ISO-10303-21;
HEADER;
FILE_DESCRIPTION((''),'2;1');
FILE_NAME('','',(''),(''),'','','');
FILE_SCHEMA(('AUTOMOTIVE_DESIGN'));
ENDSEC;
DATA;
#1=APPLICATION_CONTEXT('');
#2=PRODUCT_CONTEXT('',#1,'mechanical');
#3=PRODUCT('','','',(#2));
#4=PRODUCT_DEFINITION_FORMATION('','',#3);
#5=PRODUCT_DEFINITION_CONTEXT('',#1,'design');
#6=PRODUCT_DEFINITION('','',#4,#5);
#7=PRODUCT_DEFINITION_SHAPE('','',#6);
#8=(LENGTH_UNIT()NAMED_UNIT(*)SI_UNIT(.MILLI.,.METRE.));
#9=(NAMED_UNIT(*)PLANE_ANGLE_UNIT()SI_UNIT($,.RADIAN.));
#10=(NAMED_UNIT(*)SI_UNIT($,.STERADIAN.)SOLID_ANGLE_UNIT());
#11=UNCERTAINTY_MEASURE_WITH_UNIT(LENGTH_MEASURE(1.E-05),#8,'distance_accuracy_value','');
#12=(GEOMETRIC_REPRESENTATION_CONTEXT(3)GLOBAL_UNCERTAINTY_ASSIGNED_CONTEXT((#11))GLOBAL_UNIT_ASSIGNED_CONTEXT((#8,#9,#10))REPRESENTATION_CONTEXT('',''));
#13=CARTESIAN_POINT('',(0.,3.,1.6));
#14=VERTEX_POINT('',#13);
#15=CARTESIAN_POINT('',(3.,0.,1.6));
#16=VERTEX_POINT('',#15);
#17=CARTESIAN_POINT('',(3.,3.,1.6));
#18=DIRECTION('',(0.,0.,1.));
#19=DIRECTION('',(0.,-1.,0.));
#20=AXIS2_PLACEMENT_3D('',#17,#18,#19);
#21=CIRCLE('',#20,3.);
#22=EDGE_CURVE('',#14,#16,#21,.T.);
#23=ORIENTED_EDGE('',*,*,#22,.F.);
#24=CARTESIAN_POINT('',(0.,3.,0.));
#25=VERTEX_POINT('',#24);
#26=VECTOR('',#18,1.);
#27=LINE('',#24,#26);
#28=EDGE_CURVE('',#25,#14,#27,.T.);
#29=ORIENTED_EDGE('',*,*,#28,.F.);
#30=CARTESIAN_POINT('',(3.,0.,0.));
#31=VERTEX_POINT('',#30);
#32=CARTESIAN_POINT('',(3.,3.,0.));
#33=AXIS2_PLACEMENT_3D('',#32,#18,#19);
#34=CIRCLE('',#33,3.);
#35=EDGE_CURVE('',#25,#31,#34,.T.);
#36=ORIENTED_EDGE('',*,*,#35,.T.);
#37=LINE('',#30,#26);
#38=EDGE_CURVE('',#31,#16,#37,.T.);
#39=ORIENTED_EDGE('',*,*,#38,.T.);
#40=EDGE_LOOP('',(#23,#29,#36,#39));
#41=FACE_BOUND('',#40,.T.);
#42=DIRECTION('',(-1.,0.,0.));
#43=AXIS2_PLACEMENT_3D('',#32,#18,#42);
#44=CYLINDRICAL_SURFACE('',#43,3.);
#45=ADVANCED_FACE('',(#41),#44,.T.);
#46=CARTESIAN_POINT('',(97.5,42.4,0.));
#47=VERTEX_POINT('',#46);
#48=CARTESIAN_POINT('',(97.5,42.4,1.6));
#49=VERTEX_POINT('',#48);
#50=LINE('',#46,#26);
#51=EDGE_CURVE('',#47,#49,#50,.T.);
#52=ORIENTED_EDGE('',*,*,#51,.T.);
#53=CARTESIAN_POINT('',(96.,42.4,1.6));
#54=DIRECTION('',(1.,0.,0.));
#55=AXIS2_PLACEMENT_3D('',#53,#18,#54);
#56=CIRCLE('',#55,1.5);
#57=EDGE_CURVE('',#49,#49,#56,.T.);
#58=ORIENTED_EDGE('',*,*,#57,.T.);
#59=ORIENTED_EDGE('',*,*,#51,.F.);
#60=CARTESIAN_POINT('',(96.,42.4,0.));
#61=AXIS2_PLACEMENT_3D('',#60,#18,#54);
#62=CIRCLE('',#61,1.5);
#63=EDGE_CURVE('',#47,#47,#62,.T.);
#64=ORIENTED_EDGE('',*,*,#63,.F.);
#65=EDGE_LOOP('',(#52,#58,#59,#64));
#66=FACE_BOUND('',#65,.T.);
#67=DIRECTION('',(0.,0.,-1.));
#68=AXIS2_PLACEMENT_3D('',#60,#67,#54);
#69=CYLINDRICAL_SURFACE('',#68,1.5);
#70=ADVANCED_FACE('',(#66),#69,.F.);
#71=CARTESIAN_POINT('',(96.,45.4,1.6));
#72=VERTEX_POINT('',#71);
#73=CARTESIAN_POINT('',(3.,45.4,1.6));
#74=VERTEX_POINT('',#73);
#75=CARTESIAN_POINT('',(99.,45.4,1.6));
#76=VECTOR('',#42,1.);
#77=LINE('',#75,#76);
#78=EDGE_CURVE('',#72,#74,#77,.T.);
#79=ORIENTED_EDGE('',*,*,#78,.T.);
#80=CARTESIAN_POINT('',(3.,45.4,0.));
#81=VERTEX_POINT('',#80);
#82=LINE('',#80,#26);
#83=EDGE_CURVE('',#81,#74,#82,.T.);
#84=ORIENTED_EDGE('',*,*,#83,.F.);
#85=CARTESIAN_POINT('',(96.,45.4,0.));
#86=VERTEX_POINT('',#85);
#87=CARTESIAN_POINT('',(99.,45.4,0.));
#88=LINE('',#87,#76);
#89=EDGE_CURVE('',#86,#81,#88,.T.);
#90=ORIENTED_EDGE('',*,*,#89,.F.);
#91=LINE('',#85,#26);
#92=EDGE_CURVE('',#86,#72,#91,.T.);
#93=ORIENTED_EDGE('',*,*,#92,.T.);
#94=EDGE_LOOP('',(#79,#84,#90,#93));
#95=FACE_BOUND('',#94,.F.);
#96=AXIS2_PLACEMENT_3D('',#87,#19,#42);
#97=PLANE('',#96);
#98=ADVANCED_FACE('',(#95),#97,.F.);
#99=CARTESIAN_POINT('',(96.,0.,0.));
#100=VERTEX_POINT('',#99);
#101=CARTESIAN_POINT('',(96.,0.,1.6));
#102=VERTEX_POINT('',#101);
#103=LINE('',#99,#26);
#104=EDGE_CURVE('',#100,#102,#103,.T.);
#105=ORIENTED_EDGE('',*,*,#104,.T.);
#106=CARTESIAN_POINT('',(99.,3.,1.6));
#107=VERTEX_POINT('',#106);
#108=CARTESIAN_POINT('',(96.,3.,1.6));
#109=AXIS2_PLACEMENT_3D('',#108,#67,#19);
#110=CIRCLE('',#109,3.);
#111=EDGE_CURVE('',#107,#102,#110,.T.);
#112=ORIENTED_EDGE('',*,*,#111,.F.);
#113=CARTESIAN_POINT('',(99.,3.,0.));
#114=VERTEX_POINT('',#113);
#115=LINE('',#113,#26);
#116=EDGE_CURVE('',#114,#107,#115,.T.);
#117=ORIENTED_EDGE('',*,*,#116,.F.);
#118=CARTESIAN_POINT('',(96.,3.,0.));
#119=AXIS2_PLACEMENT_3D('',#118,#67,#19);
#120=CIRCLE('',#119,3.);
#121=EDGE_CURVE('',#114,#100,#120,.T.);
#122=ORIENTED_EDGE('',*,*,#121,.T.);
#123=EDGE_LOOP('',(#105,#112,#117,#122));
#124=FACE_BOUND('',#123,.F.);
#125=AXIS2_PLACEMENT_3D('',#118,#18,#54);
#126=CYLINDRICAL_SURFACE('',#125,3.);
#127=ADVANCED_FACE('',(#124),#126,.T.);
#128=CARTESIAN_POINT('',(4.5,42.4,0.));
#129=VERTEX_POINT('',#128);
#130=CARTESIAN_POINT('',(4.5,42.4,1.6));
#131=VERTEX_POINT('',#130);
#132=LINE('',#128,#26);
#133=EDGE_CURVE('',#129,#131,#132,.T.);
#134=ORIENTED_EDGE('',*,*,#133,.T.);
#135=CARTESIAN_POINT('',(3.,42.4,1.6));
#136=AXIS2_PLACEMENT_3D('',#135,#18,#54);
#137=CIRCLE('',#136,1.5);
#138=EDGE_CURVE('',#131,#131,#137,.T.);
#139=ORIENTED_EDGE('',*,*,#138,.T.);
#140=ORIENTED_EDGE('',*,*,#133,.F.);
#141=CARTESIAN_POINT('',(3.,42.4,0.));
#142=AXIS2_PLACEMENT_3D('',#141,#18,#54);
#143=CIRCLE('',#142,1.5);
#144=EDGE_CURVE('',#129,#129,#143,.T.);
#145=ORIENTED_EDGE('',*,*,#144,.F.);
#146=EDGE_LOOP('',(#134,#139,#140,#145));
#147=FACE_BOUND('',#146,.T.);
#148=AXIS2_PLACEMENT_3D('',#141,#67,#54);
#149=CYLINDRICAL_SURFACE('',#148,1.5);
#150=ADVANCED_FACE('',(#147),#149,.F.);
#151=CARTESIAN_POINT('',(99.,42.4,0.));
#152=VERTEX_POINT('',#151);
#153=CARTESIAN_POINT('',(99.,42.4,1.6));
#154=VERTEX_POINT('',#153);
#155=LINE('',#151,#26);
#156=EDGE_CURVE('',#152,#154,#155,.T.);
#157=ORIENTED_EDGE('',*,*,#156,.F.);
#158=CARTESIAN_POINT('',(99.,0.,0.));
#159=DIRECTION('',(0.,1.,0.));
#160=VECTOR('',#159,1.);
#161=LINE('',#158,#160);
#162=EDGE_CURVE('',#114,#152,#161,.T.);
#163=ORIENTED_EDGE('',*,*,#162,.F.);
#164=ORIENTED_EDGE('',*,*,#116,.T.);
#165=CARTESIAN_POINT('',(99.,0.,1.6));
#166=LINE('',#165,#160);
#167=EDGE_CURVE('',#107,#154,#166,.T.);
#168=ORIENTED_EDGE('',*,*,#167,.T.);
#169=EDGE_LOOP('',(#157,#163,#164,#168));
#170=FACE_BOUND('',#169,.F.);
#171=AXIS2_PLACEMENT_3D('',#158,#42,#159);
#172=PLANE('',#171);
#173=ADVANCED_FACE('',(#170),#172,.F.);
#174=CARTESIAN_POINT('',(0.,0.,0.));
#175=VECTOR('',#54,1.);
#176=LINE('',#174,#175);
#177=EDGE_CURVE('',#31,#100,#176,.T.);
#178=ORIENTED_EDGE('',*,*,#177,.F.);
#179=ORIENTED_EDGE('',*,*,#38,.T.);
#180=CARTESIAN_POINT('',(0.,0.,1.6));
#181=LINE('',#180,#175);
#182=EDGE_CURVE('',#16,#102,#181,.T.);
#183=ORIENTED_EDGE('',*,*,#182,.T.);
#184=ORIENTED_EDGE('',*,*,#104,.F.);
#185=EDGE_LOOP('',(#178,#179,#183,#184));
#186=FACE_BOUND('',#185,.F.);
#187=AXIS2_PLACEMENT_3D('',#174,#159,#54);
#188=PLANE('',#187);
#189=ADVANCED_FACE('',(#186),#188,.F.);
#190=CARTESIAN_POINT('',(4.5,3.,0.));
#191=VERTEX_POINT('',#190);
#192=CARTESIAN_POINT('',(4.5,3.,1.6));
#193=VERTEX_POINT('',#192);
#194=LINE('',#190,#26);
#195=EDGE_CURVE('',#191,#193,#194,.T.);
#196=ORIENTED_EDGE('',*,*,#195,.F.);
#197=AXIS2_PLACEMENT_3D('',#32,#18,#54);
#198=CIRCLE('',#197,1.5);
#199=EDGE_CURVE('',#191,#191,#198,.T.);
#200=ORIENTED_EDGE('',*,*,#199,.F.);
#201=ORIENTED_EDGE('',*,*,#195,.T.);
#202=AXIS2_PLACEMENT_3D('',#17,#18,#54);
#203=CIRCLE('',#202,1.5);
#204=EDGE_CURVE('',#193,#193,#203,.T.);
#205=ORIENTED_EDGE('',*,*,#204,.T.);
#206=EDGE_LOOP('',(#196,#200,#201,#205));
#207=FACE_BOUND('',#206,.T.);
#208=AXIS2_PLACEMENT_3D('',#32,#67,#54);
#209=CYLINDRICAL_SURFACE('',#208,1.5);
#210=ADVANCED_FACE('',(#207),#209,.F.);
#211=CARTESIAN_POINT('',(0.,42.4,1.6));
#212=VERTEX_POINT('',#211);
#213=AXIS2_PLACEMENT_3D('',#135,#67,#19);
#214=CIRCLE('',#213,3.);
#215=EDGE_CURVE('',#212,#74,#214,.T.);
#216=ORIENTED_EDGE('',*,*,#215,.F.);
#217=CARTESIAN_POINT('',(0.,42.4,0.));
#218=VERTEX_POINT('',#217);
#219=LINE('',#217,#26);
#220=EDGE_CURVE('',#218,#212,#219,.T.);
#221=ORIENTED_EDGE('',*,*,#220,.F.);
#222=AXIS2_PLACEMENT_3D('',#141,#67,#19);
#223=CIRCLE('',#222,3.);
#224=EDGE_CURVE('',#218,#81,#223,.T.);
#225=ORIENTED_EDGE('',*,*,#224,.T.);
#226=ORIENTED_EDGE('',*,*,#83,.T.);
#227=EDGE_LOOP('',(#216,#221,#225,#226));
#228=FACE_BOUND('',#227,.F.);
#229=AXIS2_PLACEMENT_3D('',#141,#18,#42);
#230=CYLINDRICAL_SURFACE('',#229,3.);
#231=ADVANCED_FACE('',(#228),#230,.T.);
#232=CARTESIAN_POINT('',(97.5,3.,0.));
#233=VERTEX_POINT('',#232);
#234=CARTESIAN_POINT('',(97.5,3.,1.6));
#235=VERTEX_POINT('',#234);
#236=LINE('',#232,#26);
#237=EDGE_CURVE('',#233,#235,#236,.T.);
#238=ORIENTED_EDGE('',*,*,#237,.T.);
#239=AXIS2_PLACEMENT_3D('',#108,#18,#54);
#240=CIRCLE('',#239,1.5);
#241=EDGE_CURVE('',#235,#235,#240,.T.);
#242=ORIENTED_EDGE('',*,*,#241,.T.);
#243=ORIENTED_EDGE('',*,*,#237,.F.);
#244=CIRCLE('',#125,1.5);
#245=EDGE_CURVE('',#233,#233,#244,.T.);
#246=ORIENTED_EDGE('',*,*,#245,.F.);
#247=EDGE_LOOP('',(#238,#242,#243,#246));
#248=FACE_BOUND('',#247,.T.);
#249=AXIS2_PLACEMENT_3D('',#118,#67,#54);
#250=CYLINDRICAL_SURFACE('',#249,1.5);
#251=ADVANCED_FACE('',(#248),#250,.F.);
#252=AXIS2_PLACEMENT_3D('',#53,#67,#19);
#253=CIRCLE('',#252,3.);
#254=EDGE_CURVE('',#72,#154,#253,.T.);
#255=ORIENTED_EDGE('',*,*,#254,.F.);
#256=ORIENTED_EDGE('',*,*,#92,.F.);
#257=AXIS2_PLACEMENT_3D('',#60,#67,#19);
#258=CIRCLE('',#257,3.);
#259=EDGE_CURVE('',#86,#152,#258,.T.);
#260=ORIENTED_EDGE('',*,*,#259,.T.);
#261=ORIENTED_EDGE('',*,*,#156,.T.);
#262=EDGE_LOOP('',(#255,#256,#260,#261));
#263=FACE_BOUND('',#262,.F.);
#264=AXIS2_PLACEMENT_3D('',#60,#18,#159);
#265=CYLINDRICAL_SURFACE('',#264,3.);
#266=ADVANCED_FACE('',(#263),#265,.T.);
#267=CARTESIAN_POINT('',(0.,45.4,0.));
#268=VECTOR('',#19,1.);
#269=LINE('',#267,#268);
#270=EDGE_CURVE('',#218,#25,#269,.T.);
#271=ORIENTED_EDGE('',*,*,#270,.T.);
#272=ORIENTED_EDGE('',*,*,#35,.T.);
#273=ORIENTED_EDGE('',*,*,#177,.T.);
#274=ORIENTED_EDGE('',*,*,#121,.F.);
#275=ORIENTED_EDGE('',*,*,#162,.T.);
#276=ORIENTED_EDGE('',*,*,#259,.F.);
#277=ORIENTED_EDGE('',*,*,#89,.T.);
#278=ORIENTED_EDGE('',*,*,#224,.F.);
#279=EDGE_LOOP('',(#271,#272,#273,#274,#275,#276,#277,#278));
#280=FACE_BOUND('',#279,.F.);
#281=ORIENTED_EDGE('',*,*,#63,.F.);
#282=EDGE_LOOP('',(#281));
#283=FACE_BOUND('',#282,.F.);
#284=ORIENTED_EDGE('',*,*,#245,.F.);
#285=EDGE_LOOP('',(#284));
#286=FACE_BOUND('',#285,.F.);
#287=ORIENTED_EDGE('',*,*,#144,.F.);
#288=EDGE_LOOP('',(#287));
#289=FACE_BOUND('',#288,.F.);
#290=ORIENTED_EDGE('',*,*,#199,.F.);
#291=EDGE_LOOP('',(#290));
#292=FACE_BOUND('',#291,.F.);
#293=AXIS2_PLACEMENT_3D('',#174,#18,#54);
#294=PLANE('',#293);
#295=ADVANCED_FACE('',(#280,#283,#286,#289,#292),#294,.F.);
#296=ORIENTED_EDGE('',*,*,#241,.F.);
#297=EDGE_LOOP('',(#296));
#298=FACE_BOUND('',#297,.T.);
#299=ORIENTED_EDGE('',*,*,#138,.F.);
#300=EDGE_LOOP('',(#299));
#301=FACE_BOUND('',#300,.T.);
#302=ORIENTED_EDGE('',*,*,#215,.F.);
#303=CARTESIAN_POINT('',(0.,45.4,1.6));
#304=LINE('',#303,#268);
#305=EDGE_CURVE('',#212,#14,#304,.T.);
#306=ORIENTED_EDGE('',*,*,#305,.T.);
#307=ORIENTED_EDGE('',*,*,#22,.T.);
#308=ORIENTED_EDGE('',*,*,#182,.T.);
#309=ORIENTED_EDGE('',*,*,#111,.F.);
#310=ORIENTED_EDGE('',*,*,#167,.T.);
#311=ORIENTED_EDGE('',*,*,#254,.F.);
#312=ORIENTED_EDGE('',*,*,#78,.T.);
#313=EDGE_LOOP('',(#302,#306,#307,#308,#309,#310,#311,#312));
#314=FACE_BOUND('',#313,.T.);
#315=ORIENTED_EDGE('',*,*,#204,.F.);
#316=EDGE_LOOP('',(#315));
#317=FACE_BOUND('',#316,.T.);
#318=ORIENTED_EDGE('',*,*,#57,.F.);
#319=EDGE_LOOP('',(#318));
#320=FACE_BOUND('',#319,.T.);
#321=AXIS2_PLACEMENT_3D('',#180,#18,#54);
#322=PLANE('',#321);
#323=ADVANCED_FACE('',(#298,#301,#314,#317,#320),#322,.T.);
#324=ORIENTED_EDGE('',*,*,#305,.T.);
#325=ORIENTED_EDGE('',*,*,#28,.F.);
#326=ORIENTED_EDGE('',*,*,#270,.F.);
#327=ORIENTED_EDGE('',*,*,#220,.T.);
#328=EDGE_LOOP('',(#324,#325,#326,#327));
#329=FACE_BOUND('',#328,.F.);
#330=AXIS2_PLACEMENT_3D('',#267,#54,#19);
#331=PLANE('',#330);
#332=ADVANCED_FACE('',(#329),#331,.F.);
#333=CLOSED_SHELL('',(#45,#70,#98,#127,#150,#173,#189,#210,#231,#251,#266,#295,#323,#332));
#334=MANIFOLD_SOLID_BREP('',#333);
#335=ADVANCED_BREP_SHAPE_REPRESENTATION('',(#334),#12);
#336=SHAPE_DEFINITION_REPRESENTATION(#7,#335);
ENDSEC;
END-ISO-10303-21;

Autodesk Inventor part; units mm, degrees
ref_plane "YZ Plane" through (0, 0, 0) normal (1, 0, 0) x (0, 1, 0)
ref_plane "XZ Plane" through (0, 0, 0) normal (0, 1, 0) x (-1, 0, 0)
ref_plane "XY Plane" through (0, 0, 0) normal (0, 0, 1) x (1, 0, 0)
sketch "Sketch1" plane through (0, 0, 0) normal (0, 0, 1) x (1, 0, 0)
  line L0 (0, 0) -> (99, 0)
  line L1 (99, 0) -> (99, 45.4)
  line L2 (99, 45.4) -> (0, 45.4)
  line L3 (0, 45.4) -> (0, 0)
  circle A0 centre (3, 42.4) radius 1.5
  circle A1 centre (3, 3) radius 1.5
  circle A2 centre (96, 3) radius 1.5
  circle A3 centre (96, 42.4) radius 1.5
  dimension "d0" = 45.4
  dimension "d1" = 99
  dimension "d2" = 3
  dimension "d3" = 3
  dimension "d4" = 3
  dimension "d5" = 3
  dimension "d6" = 3
  dimension "d7" = 3
  dimension "d8" = 3
  dimension "d9" = 3
  dimension "d10" = 3
  dimension "d11" = 3
  dimension "d12" = 3
  dimension "d13" = 3
extrude "Extrusion1" add sketch "Sketch1" along normal blind 1.6
fillet "Fillet1" radius 3 4 edges at (0, 0, 0.8) (99, 0, 0.8) (99, 45.4, 0.8) (0, 45.4, 0.8)
equation "\"d7\" = d6"
equation "\"d8\" = d9"
equation "\"d9\" = d7"
equation "\"d10\" = d11"
equation "\"d11\" = d8"
equation "\"d12\" = d10"
equation "\"d13\" = d12"
properties part number "Refplate"
